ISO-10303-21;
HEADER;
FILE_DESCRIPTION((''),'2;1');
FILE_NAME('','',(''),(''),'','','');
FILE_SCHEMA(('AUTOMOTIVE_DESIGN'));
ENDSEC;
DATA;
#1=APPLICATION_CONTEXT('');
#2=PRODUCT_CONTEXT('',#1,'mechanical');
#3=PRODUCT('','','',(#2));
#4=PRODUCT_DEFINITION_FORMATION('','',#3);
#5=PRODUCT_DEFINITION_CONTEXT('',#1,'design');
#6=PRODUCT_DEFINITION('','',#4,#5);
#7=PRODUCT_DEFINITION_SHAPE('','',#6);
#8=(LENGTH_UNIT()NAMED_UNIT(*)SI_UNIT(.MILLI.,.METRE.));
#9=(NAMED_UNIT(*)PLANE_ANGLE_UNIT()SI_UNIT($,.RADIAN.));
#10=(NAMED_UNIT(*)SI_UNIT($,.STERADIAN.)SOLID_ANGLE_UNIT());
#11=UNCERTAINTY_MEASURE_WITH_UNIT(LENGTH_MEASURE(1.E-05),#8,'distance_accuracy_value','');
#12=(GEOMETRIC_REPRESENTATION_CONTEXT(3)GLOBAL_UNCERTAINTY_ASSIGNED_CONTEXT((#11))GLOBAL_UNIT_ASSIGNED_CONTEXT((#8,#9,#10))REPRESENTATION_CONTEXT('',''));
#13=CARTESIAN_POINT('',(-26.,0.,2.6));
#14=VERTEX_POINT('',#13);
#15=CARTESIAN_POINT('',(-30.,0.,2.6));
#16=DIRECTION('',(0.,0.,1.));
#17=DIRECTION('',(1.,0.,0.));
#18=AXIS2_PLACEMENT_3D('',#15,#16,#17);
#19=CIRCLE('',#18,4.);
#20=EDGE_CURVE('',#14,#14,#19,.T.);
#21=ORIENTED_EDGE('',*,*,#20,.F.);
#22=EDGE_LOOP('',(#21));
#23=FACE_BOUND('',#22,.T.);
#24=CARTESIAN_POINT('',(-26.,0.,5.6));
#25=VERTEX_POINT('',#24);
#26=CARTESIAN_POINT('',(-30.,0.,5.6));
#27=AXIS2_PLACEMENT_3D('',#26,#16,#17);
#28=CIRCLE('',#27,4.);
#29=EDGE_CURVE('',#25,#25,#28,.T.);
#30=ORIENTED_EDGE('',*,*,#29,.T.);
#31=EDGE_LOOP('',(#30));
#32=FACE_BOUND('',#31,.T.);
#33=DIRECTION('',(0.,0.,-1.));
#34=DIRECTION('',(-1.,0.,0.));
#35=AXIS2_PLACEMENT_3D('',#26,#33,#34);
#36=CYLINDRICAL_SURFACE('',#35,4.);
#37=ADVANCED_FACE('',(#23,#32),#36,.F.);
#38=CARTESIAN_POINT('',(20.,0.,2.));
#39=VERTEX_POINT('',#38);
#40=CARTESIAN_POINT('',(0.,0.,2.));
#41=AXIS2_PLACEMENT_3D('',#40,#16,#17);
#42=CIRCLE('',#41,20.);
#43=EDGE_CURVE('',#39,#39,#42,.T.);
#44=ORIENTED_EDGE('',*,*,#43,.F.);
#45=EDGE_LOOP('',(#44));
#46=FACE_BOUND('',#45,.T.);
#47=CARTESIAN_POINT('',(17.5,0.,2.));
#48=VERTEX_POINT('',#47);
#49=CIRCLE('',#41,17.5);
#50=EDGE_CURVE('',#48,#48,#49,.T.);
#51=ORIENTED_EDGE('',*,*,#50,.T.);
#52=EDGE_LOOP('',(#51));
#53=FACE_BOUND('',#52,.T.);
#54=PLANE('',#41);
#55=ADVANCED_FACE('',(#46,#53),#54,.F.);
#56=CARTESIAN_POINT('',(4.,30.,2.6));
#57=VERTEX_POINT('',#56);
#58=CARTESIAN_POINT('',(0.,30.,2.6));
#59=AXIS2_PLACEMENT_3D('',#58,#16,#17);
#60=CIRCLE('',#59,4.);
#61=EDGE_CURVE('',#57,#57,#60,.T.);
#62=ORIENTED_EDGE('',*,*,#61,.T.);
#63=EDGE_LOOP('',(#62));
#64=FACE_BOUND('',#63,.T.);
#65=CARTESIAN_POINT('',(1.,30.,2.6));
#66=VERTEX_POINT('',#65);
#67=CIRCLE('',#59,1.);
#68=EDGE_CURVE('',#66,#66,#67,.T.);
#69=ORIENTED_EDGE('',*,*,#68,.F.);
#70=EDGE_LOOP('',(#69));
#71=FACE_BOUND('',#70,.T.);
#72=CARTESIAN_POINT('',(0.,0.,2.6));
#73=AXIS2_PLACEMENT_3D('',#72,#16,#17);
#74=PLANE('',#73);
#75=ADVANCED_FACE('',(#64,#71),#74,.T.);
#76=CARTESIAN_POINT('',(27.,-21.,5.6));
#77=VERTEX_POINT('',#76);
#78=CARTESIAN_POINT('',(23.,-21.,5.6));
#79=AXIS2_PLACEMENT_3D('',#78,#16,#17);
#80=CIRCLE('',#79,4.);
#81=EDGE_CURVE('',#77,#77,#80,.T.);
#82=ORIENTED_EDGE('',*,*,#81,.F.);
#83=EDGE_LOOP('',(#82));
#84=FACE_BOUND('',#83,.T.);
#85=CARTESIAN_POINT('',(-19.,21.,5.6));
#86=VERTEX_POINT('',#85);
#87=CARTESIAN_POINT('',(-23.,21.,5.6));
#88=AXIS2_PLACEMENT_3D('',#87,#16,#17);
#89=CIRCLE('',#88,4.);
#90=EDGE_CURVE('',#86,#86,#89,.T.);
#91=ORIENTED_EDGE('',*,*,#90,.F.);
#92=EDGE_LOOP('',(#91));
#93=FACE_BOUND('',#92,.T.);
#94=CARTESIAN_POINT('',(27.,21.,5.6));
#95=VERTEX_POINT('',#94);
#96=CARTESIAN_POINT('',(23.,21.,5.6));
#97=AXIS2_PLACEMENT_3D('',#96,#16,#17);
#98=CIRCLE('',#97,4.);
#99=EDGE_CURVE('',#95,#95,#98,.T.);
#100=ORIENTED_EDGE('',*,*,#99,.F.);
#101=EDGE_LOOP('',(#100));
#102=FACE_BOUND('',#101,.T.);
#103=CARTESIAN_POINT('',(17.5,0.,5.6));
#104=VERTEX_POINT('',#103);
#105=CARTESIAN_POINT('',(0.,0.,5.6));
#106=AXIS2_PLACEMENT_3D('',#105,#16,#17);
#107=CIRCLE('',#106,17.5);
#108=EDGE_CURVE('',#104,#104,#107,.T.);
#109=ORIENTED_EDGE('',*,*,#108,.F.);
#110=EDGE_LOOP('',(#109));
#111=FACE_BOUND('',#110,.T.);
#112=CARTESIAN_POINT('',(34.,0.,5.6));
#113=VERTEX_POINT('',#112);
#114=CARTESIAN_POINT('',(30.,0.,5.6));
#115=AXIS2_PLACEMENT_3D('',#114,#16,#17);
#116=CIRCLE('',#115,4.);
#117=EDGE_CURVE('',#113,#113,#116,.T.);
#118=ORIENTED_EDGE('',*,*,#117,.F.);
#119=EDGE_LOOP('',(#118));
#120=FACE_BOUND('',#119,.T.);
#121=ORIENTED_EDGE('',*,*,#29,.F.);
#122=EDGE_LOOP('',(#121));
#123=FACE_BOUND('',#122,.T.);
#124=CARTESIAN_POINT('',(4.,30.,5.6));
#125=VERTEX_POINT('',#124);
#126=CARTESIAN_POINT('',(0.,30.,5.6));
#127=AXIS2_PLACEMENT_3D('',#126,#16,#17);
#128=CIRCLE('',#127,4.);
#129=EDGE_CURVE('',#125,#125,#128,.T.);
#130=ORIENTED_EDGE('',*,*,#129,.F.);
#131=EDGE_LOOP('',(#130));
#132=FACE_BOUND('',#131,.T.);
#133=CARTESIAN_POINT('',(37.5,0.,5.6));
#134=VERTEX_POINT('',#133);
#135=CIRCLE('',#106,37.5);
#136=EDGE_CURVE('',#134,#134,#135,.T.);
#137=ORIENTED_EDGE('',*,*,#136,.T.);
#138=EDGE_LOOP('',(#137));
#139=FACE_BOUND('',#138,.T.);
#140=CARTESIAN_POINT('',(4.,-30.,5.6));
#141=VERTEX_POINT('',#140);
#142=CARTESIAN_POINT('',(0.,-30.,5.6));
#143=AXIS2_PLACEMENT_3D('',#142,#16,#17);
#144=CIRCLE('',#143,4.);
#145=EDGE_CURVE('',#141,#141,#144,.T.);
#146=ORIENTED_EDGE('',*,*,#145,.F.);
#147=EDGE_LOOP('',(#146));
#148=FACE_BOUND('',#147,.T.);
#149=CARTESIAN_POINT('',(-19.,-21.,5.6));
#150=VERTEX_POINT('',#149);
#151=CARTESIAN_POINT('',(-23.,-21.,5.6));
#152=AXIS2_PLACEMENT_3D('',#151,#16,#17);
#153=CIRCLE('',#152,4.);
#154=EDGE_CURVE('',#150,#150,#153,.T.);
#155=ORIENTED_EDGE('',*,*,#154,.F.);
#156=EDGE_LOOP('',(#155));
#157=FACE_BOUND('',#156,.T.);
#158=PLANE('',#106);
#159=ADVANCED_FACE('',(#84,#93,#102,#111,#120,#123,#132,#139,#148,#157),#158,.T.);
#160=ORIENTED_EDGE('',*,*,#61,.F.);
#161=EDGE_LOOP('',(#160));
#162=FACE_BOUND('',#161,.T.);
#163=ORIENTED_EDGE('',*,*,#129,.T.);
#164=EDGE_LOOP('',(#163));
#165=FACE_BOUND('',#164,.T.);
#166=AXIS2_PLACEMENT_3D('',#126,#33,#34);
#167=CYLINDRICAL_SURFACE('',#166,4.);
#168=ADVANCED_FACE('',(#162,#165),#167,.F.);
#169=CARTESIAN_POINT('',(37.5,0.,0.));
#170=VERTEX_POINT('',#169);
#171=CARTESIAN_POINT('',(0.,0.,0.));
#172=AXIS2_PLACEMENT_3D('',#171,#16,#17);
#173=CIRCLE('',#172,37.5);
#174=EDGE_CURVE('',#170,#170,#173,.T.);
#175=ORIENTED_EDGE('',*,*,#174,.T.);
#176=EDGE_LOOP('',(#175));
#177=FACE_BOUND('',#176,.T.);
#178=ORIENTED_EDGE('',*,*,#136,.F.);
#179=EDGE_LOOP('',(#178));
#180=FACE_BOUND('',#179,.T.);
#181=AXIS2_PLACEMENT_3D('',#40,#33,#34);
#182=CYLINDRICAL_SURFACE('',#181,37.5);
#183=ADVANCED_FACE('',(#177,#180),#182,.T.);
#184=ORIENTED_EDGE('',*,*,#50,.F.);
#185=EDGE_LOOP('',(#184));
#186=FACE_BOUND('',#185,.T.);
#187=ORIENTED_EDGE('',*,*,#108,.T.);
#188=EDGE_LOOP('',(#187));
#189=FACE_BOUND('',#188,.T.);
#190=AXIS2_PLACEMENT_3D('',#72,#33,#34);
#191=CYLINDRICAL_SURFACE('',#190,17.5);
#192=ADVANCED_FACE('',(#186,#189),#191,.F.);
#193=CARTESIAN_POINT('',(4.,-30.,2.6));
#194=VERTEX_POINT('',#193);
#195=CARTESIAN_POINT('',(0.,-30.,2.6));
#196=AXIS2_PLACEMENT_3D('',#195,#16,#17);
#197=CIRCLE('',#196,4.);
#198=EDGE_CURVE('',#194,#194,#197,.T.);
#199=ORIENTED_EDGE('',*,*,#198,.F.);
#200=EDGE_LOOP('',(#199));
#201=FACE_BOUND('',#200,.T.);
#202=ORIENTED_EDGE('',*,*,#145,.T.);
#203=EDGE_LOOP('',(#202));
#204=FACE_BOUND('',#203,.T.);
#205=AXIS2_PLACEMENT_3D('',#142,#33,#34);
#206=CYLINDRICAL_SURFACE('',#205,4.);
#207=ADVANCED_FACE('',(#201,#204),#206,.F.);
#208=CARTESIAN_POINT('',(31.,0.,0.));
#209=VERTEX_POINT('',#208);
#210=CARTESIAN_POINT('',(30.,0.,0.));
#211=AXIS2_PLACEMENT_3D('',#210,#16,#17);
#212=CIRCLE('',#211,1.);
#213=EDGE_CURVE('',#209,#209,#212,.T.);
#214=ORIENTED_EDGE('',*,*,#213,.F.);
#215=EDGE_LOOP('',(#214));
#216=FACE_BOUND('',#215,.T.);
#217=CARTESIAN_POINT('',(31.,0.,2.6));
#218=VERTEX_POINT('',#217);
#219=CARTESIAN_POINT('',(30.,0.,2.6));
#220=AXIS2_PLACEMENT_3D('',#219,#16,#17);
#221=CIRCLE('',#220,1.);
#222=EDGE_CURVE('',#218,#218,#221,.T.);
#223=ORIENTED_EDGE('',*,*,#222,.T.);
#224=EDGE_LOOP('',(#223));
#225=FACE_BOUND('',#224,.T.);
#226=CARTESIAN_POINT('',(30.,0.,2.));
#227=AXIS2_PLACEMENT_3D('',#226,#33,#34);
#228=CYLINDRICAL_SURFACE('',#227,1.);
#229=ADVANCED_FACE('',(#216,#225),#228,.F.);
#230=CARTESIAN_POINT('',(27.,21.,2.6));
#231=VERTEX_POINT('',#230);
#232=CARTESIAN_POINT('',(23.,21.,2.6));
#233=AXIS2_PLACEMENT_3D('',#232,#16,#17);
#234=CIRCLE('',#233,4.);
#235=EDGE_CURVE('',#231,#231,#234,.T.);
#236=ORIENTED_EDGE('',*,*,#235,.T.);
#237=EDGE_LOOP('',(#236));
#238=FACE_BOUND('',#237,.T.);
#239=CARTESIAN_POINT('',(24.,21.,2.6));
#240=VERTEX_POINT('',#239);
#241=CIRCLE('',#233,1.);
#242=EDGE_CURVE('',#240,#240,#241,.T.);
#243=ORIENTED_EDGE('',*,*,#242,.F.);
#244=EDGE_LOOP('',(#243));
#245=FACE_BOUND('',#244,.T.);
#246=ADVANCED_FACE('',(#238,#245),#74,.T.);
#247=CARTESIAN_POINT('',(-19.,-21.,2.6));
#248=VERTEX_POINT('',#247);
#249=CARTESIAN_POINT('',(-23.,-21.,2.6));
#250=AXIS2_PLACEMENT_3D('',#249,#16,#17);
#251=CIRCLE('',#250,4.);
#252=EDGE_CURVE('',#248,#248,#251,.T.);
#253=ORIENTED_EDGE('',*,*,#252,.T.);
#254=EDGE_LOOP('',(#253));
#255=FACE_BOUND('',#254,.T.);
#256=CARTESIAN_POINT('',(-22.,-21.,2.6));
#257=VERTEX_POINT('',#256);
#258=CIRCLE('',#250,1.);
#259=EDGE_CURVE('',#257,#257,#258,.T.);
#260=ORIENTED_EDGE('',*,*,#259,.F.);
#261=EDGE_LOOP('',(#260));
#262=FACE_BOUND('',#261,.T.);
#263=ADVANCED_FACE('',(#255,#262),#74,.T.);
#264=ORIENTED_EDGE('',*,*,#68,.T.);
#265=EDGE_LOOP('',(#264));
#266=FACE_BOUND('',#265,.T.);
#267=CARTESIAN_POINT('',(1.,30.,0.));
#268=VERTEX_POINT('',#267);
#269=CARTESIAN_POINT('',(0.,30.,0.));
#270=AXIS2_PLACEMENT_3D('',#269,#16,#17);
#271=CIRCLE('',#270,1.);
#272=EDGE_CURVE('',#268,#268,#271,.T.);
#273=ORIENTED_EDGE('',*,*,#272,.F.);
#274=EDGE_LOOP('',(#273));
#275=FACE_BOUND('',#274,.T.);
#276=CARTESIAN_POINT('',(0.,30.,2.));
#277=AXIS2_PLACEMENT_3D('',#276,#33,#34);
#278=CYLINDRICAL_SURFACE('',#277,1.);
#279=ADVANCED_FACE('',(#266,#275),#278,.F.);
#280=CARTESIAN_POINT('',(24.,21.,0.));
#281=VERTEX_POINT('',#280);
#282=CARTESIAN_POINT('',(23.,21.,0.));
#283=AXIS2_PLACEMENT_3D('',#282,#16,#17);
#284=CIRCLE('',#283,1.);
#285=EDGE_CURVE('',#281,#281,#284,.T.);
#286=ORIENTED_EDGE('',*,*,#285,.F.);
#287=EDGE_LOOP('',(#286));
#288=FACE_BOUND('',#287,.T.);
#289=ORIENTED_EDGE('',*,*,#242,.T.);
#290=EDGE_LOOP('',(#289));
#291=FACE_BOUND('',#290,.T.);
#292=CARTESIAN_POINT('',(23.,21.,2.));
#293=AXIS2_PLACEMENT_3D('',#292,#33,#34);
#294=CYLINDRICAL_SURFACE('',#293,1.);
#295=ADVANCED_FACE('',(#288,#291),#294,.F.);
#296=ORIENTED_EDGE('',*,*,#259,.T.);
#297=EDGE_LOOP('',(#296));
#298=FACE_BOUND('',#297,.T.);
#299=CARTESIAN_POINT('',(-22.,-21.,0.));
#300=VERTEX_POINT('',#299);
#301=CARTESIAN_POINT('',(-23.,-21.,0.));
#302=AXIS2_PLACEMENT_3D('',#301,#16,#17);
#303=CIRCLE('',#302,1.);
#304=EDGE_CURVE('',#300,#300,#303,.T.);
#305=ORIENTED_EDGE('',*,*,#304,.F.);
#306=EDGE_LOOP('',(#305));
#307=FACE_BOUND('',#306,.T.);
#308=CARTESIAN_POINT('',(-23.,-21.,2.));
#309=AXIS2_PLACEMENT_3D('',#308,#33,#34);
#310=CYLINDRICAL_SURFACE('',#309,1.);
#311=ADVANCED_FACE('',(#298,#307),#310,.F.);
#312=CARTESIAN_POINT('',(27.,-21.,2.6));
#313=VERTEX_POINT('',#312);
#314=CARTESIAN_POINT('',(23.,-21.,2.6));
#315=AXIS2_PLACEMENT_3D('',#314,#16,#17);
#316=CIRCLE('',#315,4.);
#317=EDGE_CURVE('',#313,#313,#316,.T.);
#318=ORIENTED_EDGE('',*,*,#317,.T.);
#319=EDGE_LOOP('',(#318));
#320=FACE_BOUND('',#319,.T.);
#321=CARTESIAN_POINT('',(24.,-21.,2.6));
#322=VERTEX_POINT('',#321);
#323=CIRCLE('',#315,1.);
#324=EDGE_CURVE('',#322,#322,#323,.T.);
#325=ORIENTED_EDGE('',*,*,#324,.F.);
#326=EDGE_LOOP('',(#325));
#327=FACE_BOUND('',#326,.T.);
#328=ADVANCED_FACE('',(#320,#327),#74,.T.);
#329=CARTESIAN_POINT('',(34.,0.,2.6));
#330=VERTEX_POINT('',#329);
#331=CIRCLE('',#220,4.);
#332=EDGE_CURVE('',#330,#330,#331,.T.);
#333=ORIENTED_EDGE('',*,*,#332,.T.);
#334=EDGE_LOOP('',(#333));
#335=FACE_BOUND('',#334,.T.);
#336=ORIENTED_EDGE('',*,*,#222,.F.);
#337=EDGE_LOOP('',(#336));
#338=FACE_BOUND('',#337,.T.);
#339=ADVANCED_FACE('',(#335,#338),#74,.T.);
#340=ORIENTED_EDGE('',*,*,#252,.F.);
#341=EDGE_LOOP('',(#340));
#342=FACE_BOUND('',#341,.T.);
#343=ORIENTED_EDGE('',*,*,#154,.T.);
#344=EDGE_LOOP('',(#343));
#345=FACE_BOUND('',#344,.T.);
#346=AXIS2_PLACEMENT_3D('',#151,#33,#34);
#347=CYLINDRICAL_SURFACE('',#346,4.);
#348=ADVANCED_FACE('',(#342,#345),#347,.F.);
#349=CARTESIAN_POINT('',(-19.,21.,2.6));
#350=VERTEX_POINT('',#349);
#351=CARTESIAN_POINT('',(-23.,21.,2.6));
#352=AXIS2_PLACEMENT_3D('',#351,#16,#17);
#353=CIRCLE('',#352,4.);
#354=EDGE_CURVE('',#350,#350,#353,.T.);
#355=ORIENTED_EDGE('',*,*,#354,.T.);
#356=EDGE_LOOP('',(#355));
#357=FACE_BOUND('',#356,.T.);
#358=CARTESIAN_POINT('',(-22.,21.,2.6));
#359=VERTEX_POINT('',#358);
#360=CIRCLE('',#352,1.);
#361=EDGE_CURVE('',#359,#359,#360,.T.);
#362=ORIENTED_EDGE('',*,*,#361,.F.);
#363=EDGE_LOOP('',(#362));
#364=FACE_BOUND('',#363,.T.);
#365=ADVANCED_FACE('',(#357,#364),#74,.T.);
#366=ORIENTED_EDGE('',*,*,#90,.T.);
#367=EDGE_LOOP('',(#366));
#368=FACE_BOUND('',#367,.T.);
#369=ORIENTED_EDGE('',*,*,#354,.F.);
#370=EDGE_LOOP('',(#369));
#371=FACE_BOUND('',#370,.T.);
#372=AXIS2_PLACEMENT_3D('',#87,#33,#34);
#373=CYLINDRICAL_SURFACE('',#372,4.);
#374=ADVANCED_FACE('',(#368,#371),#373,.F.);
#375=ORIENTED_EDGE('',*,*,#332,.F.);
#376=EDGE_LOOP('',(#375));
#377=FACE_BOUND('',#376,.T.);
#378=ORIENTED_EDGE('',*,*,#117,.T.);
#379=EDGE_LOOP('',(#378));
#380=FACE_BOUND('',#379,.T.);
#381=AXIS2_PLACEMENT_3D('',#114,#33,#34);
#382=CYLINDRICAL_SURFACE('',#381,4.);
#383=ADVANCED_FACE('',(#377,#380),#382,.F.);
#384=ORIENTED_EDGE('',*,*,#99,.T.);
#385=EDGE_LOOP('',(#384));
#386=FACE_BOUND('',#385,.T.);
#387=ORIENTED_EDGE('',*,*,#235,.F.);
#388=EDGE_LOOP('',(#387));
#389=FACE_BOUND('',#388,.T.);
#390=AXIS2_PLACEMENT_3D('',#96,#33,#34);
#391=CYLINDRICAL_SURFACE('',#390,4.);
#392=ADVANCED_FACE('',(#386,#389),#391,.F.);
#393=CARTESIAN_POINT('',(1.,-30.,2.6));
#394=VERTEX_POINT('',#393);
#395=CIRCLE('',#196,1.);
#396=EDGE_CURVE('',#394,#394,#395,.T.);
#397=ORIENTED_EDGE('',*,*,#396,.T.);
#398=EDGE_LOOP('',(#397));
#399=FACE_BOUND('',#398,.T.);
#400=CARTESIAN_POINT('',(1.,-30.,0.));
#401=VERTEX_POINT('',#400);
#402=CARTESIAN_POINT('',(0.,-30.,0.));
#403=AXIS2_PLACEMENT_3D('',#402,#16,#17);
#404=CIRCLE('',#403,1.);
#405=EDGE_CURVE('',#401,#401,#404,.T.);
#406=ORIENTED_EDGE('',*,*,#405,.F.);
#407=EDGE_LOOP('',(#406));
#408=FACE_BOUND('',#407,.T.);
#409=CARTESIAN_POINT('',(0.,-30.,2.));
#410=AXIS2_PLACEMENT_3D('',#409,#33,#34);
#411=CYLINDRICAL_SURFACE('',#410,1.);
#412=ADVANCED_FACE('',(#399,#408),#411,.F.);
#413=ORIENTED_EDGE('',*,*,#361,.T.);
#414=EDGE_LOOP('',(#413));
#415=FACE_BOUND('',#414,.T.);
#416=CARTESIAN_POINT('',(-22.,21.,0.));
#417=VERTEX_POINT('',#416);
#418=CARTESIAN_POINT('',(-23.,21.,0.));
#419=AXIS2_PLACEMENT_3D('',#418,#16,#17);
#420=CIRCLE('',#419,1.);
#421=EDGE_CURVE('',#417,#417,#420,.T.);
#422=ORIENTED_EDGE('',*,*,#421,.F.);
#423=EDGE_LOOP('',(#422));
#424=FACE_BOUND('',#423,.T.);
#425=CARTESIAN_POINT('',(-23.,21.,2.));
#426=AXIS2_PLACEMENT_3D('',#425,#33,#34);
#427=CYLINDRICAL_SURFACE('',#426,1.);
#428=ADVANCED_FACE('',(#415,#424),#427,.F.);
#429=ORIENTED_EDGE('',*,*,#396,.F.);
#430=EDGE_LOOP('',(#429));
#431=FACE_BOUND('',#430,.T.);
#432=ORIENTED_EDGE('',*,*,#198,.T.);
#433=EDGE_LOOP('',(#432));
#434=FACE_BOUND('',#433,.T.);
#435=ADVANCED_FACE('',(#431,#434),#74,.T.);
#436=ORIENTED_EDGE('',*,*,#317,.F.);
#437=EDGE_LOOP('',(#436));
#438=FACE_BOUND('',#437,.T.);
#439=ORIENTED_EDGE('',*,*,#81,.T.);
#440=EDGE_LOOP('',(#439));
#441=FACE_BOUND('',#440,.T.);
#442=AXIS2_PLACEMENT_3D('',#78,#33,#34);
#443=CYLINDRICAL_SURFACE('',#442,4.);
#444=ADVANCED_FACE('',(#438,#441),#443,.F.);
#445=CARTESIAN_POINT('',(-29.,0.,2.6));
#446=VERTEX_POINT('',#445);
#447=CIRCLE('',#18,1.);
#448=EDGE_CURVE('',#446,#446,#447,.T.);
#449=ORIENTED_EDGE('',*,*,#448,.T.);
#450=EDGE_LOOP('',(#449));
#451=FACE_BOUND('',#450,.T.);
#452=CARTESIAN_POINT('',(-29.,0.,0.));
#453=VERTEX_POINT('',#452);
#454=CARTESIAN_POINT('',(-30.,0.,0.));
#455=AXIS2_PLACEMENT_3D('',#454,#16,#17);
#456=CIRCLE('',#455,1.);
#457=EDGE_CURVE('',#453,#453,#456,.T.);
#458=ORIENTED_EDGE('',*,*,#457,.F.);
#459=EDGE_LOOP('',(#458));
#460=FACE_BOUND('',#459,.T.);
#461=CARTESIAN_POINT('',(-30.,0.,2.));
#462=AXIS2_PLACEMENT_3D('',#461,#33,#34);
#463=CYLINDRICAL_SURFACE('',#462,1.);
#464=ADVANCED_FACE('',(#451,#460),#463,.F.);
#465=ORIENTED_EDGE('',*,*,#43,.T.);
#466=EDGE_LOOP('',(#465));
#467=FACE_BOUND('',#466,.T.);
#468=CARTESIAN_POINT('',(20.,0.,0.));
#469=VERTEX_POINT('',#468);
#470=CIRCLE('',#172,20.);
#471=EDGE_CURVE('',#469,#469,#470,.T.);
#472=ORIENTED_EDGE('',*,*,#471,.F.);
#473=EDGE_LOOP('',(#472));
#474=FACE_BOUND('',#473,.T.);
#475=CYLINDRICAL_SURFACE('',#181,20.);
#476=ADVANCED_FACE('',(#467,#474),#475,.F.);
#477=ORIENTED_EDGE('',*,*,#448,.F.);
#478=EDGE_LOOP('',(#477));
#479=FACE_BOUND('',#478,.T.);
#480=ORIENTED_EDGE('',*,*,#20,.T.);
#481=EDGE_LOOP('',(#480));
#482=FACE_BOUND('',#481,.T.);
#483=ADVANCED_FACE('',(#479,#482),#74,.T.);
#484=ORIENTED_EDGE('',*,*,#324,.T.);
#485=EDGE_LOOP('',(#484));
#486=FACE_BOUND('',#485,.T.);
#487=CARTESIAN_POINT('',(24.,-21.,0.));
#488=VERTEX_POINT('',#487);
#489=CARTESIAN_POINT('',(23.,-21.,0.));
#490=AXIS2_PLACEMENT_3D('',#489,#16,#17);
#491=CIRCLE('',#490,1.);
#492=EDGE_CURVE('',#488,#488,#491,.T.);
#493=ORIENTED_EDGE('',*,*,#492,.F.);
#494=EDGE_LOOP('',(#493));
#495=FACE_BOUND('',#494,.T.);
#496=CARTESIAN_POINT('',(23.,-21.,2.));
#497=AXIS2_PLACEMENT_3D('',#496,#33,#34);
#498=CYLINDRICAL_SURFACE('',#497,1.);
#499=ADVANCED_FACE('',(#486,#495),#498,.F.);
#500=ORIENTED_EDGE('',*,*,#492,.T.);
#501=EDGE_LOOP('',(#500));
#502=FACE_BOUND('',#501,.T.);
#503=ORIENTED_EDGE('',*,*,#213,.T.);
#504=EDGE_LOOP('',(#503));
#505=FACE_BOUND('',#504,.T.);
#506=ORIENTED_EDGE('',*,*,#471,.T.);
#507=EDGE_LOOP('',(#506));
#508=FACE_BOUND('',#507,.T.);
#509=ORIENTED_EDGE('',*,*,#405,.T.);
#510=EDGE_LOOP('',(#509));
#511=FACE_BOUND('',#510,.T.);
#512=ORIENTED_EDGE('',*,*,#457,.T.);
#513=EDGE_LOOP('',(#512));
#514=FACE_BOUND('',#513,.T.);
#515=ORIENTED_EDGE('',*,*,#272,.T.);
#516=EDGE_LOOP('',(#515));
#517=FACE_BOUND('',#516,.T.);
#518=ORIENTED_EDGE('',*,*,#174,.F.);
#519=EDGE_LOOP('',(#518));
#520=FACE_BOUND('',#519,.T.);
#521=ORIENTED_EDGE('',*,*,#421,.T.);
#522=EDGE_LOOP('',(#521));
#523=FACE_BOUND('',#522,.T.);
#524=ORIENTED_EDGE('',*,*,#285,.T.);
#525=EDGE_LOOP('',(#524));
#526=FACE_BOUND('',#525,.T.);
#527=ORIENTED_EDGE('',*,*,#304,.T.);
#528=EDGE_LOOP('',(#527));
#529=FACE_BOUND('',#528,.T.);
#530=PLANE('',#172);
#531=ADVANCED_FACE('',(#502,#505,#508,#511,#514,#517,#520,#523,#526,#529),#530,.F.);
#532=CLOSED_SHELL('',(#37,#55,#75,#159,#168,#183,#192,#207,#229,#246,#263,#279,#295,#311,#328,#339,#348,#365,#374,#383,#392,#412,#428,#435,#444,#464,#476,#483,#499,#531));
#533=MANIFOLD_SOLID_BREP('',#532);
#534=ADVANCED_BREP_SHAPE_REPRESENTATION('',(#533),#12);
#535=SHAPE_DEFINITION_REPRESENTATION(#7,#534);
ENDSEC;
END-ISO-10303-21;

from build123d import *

# Parameters (mm, degrees)
SKETCH_1_R      = 37.5
SKETCH_1_R_2    = 20
SKETCH_1_R_3    = 1
EXTRUDE_1_DEPTH = 2
SKETCH_2_R      = 37.5
SKETCH_2_R_2    = 17.5
SKETCH_2_R_3    = 1
EXTRUDE_2_DEPTH = 0.6
SKETCH_3_R      = 37.5
SKETCH_3_R_2    = 17.5
SKETCH_3_R_3    = 4
EXTRUDE_3_DEPTH = 3


with BuildPart() as part:
    # Эскиз1 → Бобышка-Вытянуть1 (new body)
    with BuildSketch(Plane.XY):
        Circle(SKETCH_1_R)
        Circle(SKETCH_1_R_2, mode=Mode.SUBTRACT)
        with Locations((0, 30)):
            Circle(SKETCH_1_R_3, mode=Mode.SUBTRACT)
        with Locations((0, -30)):
            Circle(SKETCH_1_R_3, mode=Mode.SUBTRACT)
        with Locations((30, 0)):
            Circle(SKETCH_1_R_3, mode=Mode.SUBTRACT)
        with Locations((-30, 0)):
            Circle(SKETCH_1_R_3, mode=Mode.SUBTRACT)
        with Locations((23, 21)):
            Circle(SKETCH_1_R_3, mode=Mode.SUBTRACT)
        with Locations((-23, 21)):
            Circle(SKETCH_1_R_3, mode=Mode.SUBTRACT)
        with Locations((-23, -21)):
            Circle(SKETCH_1_R_3, mode=Mode.SUBTRACT)
        with Locations((23, -21)):
            Circle(SKETCH_1_R_3, mode=Mode.SUBTRACT)
    extrude(amount=EXTRUDE_1_DEPTH)

    # Эскиз2 → Бобышка-Вытянуть2 (add)
    with BuildSketch(Plane.XY.offset(2)):
        Circle(SKETCH_2_R)
        Circle(SKETCH_2_R_2, mode=Mode.SUBTRACT)
        with Locations((0, 30)):
            Circle(SKETCH_2_R_3, mode=Mode.SUBTRACT)
        with Locations((0, -30)):
            Circle(SKETCH_2_R_3, mode=Mode.SUBTRACT)
        with Locations((-30, 0)):
            Circle(SKETCH_2_R_3, mode=Mode.SUBTRACT)
        with Locations((30, 0)):
            Circle(SKETCH_2_R_3, mode=Mode.SUBTRACT)
        with Locations((-23, 21)):
            Circle(SKETCH_2_R_3, mode=Mode.SUBTRACT)
        with Locations((23, 21)):
            Circle(SKETCH_2_R_3, mode=Mode.SUBTRACT)
        with Locations((23, -21)):
            Circle(SKETCH_2_R_3, mode=Mode.SUBTRACT)
        with Locations((-23, -21)):
            Circle(SKETCH_2_R_3, mode=Mode.SUBTRACT)
    extrude(amount=EXTRUDE_2_DEPTH)

    # Эскиз3 → Бобышка-Вытянуть3 (add)
    with BuildSketch(Plane.XY.offset(2.6)):
        Circle(SKETCH_3_R)
        Circle(SKETCH_3_R_2, mode=Mode.SUBTRACT)
        with Locations((0, 30)):
            Circle(SKETCH_3_R_3, mode=Mode.SUBTRACT)
        with Locations((0, -30)):
            Circle(SKETCH_3_R_3, mode=Mode.SUBTRACT)
        with Locations((30, 0)):
            Circle(SKETCH_3_R_3, mode=Mode.SUBTRACT)
        with Locations((-30, 0)):
            Circle(SKETCH_3_R_3, mode=Mode.SUBTRACT)
        with Locations((23, 21)):
            Circle(SKETCH_3_R_3, mode=Mode.SUBTRACT)
        with Locations((-23, 21)):
            Circle(SKETCH_3_R_3, mode=Mode.SUBTRACT)
        with Locations((-23, -21)):
            Circle(SKETCH_3_R_3, mode=Mode.SUBTRACT)
        with Locations((23, -21)):
            Circle(SKETCH_3_R_3, mode=Mode.SUBTRACT)
    extrude(amount=EXTRUDE_3_DEPTH)


solid = part.part
